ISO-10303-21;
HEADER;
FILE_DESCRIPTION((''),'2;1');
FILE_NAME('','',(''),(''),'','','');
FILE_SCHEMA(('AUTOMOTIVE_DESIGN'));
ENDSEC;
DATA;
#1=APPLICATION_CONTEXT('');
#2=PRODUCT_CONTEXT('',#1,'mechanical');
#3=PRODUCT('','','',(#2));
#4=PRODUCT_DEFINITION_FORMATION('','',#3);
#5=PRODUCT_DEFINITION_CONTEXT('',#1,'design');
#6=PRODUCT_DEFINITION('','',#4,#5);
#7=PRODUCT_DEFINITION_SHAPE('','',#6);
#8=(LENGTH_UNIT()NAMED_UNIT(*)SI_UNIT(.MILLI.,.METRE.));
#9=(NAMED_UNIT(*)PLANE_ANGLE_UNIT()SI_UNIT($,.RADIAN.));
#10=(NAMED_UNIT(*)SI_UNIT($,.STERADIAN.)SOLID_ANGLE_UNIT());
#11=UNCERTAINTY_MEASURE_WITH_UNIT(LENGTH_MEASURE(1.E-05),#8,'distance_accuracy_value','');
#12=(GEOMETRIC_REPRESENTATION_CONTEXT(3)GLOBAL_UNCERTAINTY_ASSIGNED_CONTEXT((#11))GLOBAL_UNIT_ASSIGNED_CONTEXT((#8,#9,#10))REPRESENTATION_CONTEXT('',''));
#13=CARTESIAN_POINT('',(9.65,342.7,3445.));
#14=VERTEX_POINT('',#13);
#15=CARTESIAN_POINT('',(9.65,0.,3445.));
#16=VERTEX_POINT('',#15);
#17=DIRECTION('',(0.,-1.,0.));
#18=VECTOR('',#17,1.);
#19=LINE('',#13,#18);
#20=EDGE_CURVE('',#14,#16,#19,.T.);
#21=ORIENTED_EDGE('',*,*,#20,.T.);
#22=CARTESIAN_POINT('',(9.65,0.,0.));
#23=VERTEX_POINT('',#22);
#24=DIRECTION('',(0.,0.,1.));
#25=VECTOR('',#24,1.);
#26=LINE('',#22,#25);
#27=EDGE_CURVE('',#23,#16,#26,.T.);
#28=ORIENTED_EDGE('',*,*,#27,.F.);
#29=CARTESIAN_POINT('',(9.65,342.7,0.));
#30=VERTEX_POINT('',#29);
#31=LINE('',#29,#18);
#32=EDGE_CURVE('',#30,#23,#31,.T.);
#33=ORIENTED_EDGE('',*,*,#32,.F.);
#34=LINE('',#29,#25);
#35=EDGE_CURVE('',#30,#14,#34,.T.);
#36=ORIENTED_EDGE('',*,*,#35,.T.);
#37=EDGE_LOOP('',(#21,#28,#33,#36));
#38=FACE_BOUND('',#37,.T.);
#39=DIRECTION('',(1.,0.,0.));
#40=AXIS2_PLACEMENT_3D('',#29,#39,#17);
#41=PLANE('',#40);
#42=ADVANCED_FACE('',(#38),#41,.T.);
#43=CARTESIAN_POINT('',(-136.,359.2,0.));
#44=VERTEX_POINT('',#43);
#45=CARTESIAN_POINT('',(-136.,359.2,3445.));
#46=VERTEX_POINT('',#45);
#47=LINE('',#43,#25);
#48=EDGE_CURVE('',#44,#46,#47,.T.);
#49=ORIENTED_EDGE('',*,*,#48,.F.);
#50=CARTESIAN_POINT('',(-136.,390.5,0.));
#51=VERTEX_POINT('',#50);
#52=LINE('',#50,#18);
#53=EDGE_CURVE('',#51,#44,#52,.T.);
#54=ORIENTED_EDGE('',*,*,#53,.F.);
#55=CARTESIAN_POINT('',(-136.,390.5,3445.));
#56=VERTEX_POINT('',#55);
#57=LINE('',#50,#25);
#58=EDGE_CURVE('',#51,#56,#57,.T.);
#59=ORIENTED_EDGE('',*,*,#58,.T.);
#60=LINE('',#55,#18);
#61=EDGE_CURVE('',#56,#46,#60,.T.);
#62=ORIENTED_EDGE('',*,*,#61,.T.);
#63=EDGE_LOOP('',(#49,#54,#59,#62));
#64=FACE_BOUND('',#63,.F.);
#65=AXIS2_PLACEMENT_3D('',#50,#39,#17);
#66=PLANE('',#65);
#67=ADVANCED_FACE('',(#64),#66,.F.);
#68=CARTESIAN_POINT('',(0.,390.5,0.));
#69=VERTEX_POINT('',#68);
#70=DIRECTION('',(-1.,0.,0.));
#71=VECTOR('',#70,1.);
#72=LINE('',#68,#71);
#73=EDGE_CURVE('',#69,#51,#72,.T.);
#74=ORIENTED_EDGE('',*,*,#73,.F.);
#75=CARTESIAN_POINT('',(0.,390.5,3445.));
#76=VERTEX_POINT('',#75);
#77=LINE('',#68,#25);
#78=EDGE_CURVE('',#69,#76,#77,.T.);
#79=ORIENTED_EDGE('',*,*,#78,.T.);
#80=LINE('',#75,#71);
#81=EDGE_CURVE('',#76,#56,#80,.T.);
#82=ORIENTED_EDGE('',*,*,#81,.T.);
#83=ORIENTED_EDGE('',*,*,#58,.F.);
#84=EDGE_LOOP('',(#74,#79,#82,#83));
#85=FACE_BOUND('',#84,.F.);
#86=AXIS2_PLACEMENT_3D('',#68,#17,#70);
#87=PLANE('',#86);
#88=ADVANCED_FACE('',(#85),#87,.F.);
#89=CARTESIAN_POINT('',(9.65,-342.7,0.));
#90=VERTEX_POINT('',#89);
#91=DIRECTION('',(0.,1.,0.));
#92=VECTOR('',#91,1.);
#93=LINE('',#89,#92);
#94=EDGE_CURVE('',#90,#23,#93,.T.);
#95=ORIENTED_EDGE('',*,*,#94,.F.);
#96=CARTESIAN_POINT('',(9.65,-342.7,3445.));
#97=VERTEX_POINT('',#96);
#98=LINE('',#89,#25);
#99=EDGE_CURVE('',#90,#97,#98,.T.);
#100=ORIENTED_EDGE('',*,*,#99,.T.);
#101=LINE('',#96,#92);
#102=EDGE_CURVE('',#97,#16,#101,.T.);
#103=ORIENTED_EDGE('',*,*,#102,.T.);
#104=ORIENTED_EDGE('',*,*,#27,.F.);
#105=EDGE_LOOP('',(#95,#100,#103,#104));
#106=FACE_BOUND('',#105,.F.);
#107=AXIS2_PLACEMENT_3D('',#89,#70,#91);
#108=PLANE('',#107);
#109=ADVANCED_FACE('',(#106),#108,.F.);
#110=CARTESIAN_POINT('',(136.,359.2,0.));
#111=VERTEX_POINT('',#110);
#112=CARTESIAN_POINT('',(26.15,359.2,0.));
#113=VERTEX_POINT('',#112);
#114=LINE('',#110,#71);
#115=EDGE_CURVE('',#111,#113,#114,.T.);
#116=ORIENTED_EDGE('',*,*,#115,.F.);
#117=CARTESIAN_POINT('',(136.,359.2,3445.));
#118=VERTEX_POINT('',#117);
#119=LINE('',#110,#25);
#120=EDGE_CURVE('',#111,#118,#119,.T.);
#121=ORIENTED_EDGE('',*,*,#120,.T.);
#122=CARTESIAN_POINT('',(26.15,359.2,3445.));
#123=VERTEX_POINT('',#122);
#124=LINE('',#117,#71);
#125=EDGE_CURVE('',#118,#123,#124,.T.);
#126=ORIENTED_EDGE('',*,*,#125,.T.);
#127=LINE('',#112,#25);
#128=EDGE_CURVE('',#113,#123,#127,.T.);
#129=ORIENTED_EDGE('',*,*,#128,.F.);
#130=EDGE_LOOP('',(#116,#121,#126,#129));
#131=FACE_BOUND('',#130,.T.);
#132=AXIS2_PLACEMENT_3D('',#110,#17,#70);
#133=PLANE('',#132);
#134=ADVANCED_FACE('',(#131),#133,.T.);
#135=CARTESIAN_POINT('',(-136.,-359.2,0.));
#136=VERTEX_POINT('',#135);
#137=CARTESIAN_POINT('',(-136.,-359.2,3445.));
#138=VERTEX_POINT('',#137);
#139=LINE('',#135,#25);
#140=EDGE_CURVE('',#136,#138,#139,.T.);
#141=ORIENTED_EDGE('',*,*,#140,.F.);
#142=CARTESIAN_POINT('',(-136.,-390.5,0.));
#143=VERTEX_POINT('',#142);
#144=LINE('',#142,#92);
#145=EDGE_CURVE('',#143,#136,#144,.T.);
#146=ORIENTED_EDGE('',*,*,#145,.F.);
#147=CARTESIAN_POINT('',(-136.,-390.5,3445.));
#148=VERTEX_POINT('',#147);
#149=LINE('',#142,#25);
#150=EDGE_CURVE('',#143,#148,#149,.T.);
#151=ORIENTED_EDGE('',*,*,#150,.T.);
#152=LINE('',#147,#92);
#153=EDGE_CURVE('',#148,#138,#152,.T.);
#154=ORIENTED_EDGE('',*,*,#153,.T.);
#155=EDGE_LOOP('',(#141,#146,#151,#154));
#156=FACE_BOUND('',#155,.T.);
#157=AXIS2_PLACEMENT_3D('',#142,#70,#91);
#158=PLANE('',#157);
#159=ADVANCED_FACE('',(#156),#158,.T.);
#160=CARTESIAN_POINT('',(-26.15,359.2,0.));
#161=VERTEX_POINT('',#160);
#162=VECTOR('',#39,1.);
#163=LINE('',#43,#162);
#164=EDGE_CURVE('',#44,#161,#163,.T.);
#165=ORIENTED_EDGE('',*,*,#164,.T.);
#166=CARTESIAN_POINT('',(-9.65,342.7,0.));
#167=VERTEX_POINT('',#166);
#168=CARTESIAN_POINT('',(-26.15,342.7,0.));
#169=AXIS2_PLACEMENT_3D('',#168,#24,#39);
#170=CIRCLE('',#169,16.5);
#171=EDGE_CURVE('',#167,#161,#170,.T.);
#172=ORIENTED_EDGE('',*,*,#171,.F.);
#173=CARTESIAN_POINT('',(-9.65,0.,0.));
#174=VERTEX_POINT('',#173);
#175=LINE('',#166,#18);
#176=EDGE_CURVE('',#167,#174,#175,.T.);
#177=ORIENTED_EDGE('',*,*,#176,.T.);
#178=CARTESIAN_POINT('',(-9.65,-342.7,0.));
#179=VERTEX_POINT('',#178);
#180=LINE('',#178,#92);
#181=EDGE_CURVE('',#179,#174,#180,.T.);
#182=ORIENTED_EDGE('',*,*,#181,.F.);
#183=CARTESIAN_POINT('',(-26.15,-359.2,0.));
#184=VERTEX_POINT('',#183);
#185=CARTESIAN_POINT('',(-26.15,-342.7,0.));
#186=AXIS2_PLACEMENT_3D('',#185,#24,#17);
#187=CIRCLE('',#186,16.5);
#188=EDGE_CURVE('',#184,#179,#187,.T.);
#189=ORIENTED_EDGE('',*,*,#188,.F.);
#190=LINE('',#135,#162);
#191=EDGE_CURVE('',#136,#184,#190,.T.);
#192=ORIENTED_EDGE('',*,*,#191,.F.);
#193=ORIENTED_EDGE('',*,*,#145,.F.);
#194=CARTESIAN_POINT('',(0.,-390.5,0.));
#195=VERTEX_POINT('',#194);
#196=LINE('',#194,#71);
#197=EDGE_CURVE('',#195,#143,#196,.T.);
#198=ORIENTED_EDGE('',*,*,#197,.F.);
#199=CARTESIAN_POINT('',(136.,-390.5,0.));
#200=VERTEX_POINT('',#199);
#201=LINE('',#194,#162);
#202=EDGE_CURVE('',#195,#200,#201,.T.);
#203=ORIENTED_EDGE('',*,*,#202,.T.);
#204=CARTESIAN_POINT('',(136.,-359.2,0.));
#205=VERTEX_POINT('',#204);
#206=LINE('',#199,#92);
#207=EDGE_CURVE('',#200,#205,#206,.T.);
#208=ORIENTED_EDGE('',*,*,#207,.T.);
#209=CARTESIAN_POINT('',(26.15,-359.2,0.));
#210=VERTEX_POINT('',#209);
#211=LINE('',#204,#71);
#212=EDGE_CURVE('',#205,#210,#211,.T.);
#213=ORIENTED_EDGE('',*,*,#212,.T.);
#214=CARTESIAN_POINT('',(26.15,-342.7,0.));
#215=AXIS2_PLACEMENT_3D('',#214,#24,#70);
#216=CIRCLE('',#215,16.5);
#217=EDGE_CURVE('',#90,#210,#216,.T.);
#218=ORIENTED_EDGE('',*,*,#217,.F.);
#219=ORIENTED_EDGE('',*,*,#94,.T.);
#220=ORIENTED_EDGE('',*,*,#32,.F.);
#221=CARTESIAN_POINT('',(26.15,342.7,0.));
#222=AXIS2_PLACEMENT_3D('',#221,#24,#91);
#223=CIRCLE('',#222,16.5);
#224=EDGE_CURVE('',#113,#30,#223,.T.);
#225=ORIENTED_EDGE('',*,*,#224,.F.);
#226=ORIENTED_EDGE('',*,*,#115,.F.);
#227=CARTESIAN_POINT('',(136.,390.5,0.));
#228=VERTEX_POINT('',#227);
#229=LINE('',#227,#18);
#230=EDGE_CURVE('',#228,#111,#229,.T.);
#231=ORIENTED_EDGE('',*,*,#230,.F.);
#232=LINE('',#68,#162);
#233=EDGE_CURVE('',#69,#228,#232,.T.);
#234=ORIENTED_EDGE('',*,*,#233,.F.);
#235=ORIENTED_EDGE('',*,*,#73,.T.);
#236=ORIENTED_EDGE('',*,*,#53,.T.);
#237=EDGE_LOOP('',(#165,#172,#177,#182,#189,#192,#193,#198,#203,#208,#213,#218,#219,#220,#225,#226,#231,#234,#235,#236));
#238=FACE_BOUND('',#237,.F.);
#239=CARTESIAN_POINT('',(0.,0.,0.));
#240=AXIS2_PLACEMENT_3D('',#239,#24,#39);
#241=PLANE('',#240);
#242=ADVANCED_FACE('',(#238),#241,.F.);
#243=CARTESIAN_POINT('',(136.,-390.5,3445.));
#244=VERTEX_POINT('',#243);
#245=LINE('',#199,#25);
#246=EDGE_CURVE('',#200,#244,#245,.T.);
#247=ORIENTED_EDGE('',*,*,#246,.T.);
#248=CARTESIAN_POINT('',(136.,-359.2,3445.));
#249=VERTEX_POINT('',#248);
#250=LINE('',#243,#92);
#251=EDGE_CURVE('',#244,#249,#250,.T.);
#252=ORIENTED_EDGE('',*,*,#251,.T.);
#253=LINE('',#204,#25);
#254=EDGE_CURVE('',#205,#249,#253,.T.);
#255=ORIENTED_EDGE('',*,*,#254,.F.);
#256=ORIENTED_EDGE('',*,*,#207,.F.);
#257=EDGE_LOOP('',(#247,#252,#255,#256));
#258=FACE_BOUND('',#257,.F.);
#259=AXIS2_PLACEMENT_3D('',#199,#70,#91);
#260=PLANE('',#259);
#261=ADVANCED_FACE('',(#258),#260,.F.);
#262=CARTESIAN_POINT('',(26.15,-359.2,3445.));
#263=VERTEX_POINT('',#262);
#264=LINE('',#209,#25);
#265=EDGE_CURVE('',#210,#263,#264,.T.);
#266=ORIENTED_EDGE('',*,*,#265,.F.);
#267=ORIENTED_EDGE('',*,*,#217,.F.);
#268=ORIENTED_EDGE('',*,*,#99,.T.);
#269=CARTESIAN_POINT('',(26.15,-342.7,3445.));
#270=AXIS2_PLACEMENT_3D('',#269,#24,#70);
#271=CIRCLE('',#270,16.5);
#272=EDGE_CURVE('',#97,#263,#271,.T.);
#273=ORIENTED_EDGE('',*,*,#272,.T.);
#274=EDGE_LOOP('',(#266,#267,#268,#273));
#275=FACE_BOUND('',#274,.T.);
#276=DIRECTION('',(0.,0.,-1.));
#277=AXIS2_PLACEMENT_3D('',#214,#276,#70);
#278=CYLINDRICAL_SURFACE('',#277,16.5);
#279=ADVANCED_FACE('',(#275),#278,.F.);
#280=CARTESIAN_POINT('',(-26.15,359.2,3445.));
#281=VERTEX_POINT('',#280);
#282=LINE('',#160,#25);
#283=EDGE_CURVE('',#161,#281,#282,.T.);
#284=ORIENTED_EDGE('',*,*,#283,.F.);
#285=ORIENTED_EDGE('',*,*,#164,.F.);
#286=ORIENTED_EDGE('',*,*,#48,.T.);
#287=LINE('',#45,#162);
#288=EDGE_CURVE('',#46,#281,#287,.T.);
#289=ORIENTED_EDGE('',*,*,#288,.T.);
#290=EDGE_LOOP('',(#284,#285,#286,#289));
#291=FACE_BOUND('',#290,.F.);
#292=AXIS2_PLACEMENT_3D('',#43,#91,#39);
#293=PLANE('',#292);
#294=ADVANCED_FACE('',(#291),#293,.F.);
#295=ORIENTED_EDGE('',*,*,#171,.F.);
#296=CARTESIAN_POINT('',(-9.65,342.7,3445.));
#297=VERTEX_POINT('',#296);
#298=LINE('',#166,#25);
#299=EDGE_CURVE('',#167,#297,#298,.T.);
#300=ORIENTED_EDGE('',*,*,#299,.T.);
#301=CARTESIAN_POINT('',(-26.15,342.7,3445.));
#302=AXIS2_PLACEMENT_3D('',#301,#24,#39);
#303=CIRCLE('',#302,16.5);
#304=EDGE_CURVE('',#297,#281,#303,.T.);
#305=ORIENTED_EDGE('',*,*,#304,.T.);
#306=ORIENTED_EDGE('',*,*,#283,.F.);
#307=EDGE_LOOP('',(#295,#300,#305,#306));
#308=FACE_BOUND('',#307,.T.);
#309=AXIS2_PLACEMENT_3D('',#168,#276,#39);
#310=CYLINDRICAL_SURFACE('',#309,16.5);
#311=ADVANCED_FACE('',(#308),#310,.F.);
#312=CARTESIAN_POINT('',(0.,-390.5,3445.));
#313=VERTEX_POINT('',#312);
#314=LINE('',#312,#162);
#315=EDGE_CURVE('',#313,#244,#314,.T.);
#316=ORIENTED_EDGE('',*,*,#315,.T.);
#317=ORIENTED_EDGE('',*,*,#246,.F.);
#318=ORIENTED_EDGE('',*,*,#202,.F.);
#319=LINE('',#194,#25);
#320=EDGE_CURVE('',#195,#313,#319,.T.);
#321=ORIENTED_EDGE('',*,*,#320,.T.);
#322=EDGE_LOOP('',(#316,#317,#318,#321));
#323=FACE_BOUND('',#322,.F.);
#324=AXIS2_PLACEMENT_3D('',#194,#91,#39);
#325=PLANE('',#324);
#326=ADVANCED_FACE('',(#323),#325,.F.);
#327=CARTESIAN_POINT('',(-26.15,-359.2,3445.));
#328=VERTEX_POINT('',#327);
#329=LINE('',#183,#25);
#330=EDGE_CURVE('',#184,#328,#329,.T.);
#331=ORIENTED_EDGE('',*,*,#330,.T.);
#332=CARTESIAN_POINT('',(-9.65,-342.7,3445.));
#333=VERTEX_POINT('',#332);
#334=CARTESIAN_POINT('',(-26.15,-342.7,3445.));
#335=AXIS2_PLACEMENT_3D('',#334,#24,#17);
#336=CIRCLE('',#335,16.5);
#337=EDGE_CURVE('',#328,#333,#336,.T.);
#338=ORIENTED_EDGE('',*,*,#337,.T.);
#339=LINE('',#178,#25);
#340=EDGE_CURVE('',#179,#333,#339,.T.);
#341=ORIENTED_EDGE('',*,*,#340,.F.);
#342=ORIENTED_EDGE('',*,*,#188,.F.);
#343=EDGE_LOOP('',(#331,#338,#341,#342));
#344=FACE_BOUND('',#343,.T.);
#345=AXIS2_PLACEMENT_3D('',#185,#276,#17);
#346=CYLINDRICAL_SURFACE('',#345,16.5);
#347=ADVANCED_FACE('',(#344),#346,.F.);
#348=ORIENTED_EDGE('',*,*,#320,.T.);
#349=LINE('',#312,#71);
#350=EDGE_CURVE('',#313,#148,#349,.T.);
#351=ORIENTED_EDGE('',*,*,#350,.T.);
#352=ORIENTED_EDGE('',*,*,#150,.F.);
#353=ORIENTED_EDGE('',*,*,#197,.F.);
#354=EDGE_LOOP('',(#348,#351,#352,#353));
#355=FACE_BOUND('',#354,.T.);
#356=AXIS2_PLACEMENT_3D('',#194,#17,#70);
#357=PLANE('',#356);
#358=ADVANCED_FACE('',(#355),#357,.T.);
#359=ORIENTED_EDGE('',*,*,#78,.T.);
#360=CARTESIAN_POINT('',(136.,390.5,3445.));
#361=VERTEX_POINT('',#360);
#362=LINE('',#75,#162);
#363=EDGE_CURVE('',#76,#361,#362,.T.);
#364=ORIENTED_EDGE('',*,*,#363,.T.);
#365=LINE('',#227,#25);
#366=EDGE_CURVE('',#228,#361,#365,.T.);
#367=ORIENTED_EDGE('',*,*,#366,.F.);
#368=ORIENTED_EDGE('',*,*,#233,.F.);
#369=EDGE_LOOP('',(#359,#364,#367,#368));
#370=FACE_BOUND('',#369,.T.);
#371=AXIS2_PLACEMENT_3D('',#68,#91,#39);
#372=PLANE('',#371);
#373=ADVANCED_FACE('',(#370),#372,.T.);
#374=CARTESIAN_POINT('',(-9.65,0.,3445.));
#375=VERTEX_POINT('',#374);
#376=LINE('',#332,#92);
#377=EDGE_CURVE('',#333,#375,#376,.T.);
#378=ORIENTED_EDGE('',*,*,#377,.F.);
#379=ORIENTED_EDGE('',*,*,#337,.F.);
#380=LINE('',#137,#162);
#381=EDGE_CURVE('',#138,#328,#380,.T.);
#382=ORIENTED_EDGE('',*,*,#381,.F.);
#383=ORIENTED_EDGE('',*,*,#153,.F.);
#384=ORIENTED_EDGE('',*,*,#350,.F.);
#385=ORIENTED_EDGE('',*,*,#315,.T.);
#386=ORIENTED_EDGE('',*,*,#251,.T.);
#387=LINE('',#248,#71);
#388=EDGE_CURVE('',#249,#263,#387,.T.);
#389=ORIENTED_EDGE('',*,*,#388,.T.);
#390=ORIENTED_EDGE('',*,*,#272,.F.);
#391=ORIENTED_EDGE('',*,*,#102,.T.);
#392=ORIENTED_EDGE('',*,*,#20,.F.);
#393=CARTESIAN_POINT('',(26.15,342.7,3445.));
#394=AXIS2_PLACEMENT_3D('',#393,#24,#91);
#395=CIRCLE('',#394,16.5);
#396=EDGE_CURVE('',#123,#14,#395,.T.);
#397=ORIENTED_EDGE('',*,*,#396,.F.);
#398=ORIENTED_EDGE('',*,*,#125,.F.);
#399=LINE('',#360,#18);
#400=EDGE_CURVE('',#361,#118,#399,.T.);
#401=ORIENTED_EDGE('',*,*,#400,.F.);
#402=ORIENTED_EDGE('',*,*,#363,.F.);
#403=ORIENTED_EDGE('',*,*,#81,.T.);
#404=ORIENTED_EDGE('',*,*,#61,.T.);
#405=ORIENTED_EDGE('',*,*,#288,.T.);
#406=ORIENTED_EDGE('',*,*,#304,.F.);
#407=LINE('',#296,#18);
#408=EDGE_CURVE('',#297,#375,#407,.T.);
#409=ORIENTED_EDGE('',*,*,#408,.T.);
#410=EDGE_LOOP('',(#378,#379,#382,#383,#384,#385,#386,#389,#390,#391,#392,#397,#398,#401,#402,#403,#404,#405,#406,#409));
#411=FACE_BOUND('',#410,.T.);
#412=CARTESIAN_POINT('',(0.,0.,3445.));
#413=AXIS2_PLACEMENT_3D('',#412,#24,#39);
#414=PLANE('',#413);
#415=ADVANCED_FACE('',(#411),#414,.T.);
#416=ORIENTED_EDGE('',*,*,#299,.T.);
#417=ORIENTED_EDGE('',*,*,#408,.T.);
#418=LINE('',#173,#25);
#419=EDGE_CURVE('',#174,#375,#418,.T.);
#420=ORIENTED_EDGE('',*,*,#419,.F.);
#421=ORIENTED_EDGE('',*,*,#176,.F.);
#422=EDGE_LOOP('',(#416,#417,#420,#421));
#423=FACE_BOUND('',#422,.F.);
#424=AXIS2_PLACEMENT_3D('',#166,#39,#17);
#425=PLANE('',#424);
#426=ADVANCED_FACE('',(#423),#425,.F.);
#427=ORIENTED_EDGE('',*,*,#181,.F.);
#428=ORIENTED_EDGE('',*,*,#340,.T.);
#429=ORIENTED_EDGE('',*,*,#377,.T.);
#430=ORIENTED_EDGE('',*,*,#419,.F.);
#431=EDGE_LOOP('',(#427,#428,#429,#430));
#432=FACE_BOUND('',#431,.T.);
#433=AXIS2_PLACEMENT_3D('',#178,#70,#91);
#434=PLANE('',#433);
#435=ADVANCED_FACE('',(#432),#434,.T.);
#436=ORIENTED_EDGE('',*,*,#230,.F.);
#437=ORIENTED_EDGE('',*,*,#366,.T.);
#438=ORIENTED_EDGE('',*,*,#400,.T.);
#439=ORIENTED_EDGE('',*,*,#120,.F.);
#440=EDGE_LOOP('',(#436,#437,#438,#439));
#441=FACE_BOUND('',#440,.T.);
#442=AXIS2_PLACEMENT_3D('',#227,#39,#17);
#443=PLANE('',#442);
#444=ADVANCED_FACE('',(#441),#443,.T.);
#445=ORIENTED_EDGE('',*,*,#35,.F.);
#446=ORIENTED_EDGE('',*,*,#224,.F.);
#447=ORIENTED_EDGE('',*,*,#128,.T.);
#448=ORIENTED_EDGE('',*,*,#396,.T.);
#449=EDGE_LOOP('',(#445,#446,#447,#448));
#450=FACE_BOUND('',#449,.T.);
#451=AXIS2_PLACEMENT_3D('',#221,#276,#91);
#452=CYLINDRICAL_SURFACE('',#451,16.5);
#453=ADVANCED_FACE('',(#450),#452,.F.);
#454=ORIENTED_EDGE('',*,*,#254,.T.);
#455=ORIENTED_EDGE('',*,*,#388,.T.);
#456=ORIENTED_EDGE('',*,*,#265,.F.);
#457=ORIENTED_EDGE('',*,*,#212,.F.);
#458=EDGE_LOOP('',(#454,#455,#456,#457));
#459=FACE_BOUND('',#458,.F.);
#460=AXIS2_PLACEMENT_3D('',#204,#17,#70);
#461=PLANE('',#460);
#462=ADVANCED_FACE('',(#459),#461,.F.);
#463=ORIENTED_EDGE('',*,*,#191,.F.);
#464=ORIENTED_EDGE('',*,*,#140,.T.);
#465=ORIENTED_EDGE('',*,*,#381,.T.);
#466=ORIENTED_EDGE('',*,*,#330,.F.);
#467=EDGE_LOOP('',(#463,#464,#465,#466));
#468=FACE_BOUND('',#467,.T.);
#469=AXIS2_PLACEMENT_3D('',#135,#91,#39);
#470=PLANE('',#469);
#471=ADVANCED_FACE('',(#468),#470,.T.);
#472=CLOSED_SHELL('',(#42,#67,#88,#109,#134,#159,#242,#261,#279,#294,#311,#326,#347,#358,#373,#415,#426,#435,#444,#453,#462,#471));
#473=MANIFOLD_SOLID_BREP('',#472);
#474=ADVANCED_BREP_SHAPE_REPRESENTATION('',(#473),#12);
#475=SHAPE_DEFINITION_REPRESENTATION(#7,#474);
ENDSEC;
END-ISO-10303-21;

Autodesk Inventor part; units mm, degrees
ref_plane "YZ Plane" through (0, 0, 0) normal (1, 0, 0) x (0, 1, 0)
ref_plane "Start plane" through (0, 0, 0) normal (0, 0, 1) x (1, 0, 0)
ref_plane "End plane" through (0, 0, 3445) normal (0, 0, 1) x (1, 0, 0)
sketch "Sketch" plane through (0, 0, 0) normal (0, 0, 1) x (1, 0, 0)
  line L0 (-136, -390.5) -> (-136, -359.2)
  line L1 (-136, -359.2) -> (-26.15, -359.2)
  line L2 (-9.65, -342.7) -> (-9.65, 0)
  line L3 (-9.65, 0) -> (0, 0) construction
  line L4 (0, 0) -> (0, -390.5) construction
  line L5 (0, -390.5) -> (-136, -390.5)
  line L6 (-60, 0) -> (80, 0) construction
  line L7 (0, -60) -> (0, 80) construction
  line L8 (136, -390.5) -> (136, -359.2)
  line L9 (136, -359.2) -> (26.15, -359.2)
  line L10 (9.65, -342.7) -> (9.65, 0)
  line L11 (9.65, 0) -> (0, 0) construction
  line L12 (0, -390.5) -> (136, -390.5)
  line L13 (-136, 390.5) -> (-136, 359.2)
  line L14 (-136, 359.2) -> (-26.15, 359.2)
  line L15 (-9.65, 342.7) -> (-9.65, 0)
  line L16 (0, 390.5) -> (-136, 390.5)
  line L17 (136, 390.5) -> (136, 359.2)
  line L18 (136, 359.2) -> (26.15, 359.2)
  line L19 (0, 390.5) -> (136, 390.5)
  line L20 (9.65, 342.7) -> (9.65, 0)
  arc A0 (-9.65, 342.7) -> (-26.15, 359.2) centre (-26.15, 342.7) ccw
  arc A1 (26.15, 359.2) -> (9.65, 342.7) centre (26.15, 342.7) ccw
  arc A2 (9.65, -342.7) -> (26.15, -359.2) centre (26.15, -342.7) ccw
  arc A3 (-26.15, -359.2) -> (-9.65, -342.7) centre (-26.15, -342.7) ccw
  line L21 (0, 108) -> (0, -88) construction
  line L22 (-88, 0) -> (108, 0) construction
  point P0 (-9.65, -359.2)
  point P1 (9.65, -359.2)
  point P2 (-9.65, 359.2)
  point P3 (9.65, 359.2)
  dimension "d1" = 390.5
  dimension "d2" = 31.3
  dimension "d3" = 136
  dimension "d4" = 9.65
  dimension "d10" = 16.5
extrude "Body" add sketch "Sketch" along normal up to surface (3445 mm away) from surface at 0
sketch "Sketch4" plane through (0, 0, 0) normal (0, 0, 1) x (1, 0, 0)
  line L0 (0, 0) -> (10, 0)
ref_plane "Work Plane3" through (0, 0, 0) normal (0, -1, 0) x (1, 0, 0)
sketch "Sketch5" plane through (0, 0, 0) normal (0, -1, 0) x (1, 0, 0)
  line L0 (-2, 0) -> (12, 0) projected
  line L1 (-2, 3445) -> (12, 3445) projected
  dimension "d14" = 3445
equation "\"d1\" = 0.5 * G_H"
equation "\"d2\" = G_T1"
equation "\"d3\" = 0.5 * G_W"
equation "\"d4\" = 0.5 * G_T"
equation "\"d10\" = G_IR"
equation "\"d5\" = G_L"
equation "\"G_W\" = 272"
equation "\"G_H\" = 781"
equation "\"G_T\" = 19.3"
equation "\"G_T1\" = 31.3"
equation "\"G_IR\" = 16.5"
equation "\"G_L\" = d14"
equation "\"G_OFFSET_START\" = 0"
equation "\"G_OFFSET_END\" = 0"
equation "\"d12\" = G_OFFSET_END + B_L"
equation "\"B_L\" = 3445"
properties part number "AS 3679-1990 - 760 UB - 244 - 3445" material "Steel, Mild"
